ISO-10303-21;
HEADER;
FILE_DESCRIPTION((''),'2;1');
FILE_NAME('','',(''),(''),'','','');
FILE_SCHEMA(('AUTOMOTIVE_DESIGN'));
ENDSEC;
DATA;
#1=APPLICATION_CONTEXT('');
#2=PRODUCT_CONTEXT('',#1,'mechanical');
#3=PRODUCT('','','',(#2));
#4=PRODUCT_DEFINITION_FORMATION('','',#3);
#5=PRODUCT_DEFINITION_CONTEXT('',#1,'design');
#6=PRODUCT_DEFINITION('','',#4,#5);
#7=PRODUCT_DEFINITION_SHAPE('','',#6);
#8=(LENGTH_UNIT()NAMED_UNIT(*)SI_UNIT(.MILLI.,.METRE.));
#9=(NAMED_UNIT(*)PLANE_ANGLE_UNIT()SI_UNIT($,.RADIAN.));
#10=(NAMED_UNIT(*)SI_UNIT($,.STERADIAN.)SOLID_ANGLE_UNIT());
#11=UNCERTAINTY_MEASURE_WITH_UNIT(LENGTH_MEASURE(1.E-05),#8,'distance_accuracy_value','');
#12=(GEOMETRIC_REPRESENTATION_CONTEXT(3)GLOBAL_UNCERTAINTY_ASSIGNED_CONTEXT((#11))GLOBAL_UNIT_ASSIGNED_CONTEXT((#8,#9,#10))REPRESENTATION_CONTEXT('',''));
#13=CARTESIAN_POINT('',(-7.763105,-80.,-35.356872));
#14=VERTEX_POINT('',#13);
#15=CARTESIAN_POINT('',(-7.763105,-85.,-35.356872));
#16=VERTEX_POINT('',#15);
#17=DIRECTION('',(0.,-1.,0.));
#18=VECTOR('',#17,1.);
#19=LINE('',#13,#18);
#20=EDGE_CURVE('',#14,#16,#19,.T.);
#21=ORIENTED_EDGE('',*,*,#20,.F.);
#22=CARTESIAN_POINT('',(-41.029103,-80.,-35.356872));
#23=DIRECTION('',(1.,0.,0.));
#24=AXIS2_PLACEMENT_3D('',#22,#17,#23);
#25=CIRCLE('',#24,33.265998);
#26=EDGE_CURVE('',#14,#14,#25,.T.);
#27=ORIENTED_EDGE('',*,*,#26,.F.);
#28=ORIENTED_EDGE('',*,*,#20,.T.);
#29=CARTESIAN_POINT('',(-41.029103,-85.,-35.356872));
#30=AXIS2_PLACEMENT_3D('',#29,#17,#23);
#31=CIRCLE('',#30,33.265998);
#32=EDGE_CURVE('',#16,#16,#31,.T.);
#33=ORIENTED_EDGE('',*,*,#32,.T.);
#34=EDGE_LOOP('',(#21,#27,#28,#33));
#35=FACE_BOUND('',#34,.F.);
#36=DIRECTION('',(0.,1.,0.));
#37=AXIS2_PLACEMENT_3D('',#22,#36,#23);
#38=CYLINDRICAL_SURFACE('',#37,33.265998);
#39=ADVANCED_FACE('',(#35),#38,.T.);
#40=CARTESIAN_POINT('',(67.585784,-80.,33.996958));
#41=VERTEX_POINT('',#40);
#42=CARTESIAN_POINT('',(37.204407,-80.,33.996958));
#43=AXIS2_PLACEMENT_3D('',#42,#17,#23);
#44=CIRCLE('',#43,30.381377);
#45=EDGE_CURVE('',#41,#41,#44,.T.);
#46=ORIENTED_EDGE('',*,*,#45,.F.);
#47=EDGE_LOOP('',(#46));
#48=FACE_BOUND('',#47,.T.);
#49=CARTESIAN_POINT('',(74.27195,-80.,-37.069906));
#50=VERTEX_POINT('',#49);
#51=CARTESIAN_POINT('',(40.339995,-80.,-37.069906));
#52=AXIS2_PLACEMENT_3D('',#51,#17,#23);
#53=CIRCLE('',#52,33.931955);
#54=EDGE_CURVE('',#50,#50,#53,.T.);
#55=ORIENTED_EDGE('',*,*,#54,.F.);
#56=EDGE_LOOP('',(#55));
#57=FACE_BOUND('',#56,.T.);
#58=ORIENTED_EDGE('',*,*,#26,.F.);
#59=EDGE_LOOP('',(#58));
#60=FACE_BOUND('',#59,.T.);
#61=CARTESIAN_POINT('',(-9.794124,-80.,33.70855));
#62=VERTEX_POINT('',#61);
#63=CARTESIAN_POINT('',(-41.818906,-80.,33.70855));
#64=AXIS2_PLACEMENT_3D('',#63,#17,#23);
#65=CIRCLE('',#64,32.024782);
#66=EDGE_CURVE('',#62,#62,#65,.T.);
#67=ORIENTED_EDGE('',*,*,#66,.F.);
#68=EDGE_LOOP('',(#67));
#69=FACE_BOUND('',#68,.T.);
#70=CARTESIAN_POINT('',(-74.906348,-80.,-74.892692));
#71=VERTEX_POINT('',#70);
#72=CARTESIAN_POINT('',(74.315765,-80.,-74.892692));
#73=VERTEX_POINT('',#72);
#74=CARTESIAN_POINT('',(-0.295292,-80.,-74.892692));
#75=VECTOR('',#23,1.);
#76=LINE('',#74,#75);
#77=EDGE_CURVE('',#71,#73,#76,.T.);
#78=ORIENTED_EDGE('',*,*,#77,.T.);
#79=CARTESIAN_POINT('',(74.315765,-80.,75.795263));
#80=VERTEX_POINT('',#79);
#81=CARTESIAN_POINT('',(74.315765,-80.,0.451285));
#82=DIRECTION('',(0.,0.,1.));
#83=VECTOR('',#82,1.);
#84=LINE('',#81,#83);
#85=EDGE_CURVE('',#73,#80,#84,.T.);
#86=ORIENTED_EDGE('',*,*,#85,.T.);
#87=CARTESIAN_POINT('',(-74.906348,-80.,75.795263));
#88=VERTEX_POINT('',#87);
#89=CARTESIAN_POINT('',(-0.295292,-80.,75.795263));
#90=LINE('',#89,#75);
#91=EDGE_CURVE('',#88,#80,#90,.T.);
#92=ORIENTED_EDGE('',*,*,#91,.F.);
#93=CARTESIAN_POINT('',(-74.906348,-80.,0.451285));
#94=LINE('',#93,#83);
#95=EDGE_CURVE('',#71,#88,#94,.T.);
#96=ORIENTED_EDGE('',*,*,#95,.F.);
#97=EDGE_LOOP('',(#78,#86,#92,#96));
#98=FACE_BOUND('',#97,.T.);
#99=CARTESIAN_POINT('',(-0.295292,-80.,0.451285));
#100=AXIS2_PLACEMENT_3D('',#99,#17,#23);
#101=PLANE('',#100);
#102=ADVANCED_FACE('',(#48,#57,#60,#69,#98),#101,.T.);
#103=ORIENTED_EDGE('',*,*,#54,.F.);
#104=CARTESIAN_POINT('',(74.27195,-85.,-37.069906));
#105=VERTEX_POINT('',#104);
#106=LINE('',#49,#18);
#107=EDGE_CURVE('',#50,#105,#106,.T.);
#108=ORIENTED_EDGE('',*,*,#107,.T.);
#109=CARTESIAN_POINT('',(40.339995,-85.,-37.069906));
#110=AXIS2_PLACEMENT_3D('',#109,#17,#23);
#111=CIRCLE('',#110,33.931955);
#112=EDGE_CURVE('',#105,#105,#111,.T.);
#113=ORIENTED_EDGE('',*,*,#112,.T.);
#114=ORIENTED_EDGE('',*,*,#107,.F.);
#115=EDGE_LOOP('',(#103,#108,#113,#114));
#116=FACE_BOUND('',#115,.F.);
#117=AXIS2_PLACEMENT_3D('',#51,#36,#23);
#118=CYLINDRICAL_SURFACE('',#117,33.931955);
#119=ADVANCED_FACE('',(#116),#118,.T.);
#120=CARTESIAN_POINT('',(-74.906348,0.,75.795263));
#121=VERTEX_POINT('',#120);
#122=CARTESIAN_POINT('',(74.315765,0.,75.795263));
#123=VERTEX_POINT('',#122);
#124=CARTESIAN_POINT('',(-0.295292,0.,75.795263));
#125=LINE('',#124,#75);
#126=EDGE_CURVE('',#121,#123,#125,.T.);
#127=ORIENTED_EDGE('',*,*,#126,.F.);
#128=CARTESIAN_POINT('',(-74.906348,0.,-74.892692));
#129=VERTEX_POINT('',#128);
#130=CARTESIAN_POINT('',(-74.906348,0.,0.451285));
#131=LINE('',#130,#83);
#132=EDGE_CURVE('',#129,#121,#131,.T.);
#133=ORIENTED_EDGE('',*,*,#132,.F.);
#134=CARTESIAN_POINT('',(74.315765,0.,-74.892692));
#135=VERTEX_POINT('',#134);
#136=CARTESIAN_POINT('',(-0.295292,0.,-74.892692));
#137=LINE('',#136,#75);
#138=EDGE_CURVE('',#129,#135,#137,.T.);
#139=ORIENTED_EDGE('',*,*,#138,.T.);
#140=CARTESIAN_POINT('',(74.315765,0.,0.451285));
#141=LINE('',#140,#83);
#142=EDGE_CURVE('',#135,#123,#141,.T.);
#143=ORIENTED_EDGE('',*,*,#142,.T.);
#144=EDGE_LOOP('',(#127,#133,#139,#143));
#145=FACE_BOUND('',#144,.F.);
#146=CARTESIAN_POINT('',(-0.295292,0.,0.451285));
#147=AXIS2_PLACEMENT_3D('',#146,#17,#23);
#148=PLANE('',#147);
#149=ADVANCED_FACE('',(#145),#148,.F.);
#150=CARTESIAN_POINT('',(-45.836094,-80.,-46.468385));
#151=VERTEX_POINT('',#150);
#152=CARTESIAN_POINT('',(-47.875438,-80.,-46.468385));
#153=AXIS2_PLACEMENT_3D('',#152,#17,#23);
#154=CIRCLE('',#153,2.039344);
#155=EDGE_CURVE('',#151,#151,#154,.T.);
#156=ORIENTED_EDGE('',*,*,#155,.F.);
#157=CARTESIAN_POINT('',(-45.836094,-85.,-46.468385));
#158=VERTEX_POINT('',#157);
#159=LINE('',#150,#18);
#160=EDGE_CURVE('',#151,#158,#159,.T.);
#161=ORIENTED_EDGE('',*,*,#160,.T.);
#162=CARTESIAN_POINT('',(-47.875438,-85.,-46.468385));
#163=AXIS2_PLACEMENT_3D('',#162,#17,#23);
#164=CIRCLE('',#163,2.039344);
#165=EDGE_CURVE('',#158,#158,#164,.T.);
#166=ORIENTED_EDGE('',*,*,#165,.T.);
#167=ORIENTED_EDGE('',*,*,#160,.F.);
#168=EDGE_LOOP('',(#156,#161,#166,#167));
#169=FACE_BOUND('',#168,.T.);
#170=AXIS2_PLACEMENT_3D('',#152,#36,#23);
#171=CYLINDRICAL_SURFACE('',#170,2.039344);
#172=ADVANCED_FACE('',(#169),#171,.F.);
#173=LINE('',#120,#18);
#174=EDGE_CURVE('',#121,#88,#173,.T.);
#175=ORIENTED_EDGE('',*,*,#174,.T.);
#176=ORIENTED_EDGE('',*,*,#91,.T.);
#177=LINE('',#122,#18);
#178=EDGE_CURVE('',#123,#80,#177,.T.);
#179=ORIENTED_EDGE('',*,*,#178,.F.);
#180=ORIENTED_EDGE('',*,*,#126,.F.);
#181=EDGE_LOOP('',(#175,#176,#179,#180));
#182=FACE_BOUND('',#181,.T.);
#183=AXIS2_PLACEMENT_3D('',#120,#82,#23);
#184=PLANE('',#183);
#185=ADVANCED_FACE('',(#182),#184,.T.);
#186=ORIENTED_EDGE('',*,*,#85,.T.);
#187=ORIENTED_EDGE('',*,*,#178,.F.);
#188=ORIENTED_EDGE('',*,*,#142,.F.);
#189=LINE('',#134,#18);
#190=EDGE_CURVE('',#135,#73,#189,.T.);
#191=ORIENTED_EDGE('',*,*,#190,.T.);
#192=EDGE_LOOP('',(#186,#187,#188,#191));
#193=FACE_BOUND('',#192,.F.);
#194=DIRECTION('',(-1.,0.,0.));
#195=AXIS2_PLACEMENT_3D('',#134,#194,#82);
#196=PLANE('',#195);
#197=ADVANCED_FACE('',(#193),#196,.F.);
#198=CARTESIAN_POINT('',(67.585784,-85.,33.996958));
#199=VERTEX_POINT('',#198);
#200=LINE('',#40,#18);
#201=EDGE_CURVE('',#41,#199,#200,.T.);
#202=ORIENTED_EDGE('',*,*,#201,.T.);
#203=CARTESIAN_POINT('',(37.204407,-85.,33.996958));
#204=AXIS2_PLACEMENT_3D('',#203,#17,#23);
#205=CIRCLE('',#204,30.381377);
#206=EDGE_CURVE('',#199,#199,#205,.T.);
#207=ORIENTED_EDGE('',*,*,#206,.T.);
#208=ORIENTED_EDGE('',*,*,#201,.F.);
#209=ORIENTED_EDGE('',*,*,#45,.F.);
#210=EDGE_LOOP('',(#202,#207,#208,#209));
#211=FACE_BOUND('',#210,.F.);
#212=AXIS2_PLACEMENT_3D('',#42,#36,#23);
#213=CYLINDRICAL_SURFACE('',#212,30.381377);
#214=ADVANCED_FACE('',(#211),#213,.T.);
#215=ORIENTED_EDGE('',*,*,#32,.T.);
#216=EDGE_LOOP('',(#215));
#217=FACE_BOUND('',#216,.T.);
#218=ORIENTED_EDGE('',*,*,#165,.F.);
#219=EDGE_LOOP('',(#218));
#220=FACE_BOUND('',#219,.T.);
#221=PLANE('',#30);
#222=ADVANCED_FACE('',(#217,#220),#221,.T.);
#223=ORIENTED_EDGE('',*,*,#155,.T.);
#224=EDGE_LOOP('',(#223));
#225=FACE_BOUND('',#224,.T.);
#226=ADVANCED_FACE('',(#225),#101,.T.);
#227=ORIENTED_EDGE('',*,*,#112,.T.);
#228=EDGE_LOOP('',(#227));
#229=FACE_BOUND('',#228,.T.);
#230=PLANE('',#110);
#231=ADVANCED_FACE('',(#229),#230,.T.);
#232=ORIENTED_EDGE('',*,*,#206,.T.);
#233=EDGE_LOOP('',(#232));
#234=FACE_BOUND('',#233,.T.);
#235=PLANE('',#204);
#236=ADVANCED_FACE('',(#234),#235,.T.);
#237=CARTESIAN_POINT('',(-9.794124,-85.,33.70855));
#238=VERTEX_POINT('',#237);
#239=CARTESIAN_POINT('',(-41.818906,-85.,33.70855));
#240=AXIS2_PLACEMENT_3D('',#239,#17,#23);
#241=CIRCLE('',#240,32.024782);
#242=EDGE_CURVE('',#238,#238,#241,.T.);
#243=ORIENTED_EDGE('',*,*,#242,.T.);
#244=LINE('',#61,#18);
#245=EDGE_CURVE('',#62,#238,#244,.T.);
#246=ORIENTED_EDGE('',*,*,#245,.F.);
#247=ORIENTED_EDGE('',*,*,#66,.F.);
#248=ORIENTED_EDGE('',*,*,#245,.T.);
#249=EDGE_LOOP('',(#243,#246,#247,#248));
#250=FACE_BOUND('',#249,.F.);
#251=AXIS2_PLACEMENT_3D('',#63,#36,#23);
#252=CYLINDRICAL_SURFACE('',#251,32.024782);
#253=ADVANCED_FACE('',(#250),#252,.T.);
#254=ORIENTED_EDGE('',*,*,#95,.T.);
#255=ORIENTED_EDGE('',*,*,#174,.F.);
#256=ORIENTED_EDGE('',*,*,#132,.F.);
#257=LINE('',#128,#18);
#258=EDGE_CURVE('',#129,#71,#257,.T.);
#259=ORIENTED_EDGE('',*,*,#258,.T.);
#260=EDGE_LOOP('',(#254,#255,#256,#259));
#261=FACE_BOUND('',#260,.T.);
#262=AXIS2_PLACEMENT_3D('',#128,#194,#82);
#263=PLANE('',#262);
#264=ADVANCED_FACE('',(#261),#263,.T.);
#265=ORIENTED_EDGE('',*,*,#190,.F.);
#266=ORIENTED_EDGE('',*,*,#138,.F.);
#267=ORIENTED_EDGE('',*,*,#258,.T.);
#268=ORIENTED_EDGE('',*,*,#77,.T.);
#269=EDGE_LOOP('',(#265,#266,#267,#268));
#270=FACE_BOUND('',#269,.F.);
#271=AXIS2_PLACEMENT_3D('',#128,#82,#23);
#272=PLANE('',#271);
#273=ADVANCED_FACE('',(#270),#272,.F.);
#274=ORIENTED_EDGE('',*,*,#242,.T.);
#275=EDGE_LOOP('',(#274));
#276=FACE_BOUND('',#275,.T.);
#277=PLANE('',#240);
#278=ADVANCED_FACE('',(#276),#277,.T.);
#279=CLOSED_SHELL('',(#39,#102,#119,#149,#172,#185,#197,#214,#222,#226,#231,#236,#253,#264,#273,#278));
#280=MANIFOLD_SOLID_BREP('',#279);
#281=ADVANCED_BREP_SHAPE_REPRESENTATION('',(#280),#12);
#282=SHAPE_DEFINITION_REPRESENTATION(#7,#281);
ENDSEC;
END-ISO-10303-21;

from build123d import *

# Parameters (mm, degrees)
F0_W     = 149.222113
F0_H     = 150.687955
F1_DEPTH = 80
F2_R     = 32.024782
F2_R_2   = 30.381377
F3_DEPTH = 5
F4_R     = 33.265998
F4_R_2   = 2.039344
F4_R_3   = 33.931955
F5_DEPTH = 5


with BuildPart() as f1:
    # F0 (on Front) → F1 (new body)
    with BuildSketch(Plane.XZ):
        with Locations((-0.295292, 0.451285)):
            Rectangle(F0_W, F0_H)
    extrude(amount=F1_DEPTH)

    # F2 (on face) → F3 (join)
    with BuildSketch(Plane.XZ.offset(80)):
        with Locations((-41.818906, 33.70855)):
            Circle(F2_R)
        with Locations((37.204407, 33.996958)):
            Circle(F2_R_2)
    extrude(amount=F3_DEPTH)

    # F4 (on face) → F5 (join)
    with BuildSketch(Plane.XZ.offset(80)):
        with Locations((-41.029103, -35.356872)):
            Circle(F4_R)
        with Locations((-47.875438, -46.468385)):
            Circle(F4_R_2, mode=Mode.SUBTRACT)
        with Locations((40.339995, -37.069906)):
            Circle(F4_R_3)
    extrude(amount=F5_DEPTH)


solid = f1.part
